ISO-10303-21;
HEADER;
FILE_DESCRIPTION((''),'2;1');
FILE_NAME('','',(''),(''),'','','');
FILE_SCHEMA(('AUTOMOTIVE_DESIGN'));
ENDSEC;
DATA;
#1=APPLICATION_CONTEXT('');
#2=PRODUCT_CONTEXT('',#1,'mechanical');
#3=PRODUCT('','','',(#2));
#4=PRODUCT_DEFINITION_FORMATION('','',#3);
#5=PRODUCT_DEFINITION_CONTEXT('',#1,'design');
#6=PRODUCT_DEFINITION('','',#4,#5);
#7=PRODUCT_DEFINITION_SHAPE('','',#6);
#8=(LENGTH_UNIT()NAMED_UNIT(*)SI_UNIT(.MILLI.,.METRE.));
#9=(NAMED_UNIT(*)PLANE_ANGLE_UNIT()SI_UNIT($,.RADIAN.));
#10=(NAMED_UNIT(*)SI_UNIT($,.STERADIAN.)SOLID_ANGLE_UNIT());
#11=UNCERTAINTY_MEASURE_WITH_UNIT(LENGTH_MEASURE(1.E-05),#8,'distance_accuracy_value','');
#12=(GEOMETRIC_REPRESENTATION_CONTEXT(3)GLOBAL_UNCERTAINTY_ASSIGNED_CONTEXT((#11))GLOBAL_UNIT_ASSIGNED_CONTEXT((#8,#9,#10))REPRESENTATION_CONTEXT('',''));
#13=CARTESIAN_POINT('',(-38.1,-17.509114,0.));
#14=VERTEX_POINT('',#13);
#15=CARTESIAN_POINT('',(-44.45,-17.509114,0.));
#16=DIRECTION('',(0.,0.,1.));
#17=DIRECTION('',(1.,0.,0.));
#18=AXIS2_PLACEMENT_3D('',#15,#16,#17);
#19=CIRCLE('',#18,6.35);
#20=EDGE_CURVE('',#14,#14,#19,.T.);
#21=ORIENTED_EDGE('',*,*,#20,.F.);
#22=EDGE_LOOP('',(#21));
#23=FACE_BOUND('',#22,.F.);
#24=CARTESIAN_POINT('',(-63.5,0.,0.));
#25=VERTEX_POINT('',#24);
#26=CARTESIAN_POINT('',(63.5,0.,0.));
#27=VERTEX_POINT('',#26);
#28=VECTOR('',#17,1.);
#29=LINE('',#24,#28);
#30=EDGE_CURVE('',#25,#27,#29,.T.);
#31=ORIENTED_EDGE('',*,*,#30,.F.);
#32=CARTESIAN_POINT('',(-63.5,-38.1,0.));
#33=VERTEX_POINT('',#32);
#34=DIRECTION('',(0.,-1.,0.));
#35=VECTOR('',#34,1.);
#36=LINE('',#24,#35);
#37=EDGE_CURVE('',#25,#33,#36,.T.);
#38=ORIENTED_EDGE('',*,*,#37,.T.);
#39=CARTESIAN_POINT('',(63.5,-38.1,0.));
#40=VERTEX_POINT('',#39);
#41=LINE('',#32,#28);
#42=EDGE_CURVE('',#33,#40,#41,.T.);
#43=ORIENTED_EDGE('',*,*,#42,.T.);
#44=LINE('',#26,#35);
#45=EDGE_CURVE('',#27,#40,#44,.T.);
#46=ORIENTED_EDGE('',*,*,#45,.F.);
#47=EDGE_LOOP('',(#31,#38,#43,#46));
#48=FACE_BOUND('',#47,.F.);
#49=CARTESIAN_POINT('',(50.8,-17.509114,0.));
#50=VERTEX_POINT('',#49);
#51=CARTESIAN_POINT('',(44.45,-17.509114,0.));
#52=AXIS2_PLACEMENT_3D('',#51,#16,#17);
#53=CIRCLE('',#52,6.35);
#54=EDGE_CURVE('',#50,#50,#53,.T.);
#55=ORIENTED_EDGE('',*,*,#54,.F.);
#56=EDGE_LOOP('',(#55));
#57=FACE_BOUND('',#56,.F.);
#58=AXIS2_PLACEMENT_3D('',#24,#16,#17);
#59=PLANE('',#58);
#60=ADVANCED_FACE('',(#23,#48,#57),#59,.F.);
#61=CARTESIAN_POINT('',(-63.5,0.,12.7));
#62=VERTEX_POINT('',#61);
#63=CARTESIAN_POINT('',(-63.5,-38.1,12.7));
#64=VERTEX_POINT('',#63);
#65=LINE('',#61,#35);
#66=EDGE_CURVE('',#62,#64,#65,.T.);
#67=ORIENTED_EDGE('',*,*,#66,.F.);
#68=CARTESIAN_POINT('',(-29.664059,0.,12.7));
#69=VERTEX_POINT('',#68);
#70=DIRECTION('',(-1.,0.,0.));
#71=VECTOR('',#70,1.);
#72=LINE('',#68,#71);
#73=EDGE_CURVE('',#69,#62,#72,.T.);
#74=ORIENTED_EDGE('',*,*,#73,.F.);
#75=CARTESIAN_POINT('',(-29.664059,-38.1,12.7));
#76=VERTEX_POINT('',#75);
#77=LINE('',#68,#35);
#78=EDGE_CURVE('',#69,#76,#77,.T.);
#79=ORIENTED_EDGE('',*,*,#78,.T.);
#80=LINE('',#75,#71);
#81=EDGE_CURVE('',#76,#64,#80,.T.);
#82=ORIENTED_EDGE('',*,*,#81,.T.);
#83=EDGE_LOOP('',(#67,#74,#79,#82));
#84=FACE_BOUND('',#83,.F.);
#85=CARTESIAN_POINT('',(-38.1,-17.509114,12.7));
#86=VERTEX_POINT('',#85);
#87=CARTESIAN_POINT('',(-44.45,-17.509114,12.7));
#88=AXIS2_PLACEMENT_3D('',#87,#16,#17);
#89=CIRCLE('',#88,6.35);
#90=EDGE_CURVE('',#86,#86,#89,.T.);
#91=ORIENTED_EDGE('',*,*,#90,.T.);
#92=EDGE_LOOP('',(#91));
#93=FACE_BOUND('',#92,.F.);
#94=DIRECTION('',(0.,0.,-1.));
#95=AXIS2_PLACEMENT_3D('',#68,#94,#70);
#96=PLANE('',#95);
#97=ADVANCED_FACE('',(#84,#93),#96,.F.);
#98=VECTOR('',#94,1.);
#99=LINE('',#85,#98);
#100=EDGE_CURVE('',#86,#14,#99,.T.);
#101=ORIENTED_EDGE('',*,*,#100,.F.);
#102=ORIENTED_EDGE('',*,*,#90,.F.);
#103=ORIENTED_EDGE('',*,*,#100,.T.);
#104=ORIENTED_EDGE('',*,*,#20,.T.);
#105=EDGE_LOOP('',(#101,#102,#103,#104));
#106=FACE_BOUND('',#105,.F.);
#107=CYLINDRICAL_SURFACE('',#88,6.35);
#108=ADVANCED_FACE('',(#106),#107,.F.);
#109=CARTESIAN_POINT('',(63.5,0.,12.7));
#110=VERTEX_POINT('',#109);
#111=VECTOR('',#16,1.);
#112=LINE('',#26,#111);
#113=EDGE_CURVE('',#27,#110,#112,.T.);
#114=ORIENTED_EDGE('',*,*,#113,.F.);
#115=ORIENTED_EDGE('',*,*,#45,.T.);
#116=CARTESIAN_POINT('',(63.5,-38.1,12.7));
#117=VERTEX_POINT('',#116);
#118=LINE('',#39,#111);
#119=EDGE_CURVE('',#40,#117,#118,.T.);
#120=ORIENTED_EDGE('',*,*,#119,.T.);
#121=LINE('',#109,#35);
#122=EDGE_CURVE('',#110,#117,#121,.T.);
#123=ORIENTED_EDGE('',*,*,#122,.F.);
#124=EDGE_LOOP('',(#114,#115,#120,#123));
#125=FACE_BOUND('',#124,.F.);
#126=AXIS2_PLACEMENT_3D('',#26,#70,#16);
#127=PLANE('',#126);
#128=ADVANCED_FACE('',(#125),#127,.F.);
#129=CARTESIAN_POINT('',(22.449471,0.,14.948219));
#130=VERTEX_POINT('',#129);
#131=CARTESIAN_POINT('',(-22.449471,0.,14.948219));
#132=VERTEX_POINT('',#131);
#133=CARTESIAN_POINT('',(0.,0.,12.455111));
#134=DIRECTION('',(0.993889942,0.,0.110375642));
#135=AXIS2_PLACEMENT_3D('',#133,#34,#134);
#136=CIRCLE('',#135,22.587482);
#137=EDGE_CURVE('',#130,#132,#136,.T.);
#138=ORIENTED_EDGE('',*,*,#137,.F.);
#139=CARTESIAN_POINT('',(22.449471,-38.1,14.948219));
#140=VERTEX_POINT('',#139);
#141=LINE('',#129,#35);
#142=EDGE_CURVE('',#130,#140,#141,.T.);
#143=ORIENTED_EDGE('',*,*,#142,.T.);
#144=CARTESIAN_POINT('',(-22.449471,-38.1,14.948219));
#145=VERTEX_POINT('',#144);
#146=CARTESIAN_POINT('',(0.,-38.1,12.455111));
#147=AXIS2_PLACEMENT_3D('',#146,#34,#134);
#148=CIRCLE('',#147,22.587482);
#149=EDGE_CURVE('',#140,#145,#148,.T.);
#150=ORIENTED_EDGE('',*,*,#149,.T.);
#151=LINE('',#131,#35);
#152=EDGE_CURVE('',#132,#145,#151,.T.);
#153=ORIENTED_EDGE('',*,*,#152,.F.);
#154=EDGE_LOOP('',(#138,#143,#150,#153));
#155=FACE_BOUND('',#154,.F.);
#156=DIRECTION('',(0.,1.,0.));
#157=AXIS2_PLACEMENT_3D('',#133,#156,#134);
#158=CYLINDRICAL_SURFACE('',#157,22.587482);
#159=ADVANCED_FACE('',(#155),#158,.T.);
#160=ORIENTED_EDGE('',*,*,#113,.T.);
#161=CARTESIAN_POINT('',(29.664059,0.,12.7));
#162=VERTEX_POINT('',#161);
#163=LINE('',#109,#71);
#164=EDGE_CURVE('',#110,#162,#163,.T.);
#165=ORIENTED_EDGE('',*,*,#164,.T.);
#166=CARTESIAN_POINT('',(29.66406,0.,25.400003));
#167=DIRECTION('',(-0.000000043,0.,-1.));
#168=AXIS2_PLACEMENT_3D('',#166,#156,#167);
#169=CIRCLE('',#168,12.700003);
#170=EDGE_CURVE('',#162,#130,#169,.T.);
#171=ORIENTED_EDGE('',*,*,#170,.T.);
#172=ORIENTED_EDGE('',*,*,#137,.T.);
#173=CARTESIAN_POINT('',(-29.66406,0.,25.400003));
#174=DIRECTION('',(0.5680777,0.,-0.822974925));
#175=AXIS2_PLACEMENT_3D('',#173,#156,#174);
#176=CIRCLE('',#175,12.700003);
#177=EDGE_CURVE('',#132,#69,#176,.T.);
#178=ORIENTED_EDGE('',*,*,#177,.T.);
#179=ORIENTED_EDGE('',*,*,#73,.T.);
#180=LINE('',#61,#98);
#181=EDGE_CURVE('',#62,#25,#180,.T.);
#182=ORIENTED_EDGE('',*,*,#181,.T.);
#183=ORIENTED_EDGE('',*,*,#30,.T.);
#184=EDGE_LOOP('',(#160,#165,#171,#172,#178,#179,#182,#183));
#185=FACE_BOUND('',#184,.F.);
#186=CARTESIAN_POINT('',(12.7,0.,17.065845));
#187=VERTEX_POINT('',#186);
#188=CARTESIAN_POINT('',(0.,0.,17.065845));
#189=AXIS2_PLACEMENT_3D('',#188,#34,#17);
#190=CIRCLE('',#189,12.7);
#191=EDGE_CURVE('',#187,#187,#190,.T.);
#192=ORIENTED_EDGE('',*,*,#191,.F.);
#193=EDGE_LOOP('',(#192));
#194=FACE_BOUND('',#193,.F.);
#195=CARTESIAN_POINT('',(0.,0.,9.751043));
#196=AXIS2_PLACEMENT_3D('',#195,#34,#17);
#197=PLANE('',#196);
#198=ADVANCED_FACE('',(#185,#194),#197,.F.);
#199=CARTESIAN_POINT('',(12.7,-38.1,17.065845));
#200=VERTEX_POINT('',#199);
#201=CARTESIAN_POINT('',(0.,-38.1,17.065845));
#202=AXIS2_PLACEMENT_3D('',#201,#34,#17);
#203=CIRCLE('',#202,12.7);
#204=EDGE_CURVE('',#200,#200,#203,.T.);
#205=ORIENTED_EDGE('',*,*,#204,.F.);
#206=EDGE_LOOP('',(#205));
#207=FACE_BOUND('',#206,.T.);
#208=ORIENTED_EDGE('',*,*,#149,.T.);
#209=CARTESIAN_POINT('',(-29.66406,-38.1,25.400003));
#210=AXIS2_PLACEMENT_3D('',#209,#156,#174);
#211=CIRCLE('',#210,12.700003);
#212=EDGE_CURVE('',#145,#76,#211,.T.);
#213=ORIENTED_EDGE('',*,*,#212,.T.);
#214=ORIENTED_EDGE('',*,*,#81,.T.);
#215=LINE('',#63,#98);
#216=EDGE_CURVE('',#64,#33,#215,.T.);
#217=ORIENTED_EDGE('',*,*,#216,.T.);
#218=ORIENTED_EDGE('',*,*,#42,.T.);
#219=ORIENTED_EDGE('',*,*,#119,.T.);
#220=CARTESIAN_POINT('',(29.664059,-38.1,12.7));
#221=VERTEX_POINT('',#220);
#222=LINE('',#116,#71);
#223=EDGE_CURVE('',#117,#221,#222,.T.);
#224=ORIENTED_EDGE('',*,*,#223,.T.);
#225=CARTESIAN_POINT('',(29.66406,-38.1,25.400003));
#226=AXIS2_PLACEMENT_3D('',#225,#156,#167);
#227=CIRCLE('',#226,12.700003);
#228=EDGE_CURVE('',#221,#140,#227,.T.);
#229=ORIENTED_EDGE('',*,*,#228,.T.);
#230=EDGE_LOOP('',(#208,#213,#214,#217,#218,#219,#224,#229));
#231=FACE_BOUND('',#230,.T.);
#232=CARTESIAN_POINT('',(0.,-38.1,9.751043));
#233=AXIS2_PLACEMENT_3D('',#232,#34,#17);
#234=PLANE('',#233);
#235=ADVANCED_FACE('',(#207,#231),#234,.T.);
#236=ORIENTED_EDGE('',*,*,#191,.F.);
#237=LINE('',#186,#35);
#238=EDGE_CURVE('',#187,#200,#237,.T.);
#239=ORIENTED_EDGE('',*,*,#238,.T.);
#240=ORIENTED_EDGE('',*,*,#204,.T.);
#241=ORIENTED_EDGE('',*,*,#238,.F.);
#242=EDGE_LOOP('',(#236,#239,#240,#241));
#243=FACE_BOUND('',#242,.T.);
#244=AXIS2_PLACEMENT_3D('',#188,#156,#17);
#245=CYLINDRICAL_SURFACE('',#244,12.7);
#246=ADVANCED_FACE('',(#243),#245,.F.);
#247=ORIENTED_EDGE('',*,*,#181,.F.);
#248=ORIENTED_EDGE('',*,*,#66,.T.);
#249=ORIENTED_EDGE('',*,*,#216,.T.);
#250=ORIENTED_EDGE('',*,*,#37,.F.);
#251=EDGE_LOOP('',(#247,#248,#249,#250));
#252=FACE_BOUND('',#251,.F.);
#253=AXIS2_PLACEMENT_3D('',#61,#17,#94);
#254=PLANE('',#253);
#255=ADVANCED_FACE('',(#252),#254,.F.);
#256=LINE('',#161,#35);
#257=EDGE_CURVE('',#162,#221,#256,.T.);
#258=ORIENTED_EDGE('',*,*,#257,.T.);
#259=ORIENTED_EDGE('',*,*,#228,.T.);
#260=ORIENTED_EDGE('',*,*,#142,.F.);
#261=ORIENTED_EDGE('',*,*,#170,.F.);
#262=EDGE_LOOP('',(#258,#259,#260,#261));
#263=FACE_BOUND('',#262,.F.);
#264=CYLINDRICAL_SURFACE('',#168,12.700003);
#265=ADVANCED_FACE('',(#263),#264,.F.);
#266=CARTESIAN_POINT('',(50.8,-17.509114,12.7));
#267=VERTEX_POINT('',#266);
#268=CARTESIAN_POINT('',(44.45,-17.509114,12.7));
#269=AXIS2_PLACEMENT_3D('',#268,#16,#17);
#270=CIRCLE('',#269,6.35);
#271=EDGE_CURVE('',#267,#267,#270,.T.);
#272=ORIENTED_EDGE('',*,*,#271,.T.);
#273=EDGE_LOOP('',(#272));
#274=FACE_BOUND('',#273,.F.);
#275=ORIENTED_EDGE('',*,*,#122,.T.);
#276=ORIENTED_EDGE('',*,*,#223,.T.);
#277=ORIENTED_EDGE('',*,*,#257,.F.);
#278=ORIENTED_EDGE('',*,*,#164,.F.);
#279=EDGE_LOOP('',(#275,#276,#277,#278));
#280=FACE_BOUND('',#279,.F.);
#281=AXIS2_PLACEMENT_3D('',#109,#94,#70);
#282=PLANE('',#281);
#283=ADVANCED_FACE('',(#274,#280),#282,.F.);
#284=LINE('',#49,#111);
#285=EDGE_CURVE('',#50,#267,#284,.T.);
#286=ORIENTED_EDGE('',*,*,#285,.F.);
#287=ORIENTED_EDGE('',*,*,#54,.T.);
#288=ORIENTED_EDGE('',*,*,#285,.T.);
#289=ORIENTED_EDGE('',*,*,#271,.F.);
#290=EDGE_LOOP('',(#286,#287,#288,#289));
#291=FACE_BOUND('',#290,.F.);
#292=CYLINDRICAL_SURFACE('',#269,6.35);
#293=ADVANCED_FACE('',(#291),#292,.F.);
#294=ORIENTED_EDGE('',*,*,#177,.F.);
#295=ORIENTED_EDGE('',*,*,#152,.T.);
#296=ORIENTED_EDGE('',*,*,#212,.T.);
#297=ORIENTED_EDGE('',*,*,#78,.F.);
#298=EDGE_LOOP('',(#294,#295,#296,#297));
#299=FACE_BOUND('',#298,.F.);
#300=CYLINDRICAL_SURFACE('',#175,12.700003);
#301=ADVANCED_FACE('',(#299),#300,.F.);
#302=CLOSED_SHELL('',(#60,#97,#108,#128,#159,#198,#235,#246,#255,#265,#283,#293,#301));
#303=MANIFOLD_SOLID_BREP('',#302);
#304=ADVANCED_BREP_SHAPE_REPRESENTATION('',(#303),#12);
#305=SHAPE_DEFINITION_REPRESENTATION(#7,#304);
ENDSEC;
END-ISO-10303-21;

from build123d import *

# Parameters (mm, degrees)
F0_R     = 12.7
F1_DEPTH = 38.1
F2_R     = 6.35
F3_DEPTH = 12.7


with BuildPart() as f1:
    # F0 (on Front) → F1 (new body)
    with BuildSketch(Plane.XZ):
        with BuildLine():
            Line((-63.5, 0), (0, 0))
            Line((0, 0), (63.5, 0))
            Line((63.5, 0), (63.5, 12.7))
            Line((63.5, 12.7), (29.664059, 12.7))
            ThreePointArc((29.664059, 12.7), (25.885674, 13.275075), (22.449471, 14.948219))
            ThreePointArc((22.449471, 14.948219), (0, 35.042593), (-22.449471, 14.948219))
            ThreePointArc((-22.449471, 14.948219), (-25.885674, 13.275075), (-29.664059, 12.7))
            Line((-29.664059, 12.7), (-63.5, 12.7))
            Line((-63.5, 12.7), (-63.5, 0))
        make_face()
        with Locations((0, 17.065845)):
            Circle(F0_R, mode=Mode.SUBTRACT)
    extrude(amount=F1_DEPTH)

    # F2 (on face) → F3 (cut, symmetric)
    with BuildSketch(Plane.XY.offset(12.7)):
        with Locations((-44.45, -17.509114)):
            Circle(F2_R)
        with Locations((44.45, -17.509114)):
            Circle(F2_R)
    extrude(amount=F3_DEPTH, both=True, mode=Mode.SUBTRACT)


solid = f1.part
